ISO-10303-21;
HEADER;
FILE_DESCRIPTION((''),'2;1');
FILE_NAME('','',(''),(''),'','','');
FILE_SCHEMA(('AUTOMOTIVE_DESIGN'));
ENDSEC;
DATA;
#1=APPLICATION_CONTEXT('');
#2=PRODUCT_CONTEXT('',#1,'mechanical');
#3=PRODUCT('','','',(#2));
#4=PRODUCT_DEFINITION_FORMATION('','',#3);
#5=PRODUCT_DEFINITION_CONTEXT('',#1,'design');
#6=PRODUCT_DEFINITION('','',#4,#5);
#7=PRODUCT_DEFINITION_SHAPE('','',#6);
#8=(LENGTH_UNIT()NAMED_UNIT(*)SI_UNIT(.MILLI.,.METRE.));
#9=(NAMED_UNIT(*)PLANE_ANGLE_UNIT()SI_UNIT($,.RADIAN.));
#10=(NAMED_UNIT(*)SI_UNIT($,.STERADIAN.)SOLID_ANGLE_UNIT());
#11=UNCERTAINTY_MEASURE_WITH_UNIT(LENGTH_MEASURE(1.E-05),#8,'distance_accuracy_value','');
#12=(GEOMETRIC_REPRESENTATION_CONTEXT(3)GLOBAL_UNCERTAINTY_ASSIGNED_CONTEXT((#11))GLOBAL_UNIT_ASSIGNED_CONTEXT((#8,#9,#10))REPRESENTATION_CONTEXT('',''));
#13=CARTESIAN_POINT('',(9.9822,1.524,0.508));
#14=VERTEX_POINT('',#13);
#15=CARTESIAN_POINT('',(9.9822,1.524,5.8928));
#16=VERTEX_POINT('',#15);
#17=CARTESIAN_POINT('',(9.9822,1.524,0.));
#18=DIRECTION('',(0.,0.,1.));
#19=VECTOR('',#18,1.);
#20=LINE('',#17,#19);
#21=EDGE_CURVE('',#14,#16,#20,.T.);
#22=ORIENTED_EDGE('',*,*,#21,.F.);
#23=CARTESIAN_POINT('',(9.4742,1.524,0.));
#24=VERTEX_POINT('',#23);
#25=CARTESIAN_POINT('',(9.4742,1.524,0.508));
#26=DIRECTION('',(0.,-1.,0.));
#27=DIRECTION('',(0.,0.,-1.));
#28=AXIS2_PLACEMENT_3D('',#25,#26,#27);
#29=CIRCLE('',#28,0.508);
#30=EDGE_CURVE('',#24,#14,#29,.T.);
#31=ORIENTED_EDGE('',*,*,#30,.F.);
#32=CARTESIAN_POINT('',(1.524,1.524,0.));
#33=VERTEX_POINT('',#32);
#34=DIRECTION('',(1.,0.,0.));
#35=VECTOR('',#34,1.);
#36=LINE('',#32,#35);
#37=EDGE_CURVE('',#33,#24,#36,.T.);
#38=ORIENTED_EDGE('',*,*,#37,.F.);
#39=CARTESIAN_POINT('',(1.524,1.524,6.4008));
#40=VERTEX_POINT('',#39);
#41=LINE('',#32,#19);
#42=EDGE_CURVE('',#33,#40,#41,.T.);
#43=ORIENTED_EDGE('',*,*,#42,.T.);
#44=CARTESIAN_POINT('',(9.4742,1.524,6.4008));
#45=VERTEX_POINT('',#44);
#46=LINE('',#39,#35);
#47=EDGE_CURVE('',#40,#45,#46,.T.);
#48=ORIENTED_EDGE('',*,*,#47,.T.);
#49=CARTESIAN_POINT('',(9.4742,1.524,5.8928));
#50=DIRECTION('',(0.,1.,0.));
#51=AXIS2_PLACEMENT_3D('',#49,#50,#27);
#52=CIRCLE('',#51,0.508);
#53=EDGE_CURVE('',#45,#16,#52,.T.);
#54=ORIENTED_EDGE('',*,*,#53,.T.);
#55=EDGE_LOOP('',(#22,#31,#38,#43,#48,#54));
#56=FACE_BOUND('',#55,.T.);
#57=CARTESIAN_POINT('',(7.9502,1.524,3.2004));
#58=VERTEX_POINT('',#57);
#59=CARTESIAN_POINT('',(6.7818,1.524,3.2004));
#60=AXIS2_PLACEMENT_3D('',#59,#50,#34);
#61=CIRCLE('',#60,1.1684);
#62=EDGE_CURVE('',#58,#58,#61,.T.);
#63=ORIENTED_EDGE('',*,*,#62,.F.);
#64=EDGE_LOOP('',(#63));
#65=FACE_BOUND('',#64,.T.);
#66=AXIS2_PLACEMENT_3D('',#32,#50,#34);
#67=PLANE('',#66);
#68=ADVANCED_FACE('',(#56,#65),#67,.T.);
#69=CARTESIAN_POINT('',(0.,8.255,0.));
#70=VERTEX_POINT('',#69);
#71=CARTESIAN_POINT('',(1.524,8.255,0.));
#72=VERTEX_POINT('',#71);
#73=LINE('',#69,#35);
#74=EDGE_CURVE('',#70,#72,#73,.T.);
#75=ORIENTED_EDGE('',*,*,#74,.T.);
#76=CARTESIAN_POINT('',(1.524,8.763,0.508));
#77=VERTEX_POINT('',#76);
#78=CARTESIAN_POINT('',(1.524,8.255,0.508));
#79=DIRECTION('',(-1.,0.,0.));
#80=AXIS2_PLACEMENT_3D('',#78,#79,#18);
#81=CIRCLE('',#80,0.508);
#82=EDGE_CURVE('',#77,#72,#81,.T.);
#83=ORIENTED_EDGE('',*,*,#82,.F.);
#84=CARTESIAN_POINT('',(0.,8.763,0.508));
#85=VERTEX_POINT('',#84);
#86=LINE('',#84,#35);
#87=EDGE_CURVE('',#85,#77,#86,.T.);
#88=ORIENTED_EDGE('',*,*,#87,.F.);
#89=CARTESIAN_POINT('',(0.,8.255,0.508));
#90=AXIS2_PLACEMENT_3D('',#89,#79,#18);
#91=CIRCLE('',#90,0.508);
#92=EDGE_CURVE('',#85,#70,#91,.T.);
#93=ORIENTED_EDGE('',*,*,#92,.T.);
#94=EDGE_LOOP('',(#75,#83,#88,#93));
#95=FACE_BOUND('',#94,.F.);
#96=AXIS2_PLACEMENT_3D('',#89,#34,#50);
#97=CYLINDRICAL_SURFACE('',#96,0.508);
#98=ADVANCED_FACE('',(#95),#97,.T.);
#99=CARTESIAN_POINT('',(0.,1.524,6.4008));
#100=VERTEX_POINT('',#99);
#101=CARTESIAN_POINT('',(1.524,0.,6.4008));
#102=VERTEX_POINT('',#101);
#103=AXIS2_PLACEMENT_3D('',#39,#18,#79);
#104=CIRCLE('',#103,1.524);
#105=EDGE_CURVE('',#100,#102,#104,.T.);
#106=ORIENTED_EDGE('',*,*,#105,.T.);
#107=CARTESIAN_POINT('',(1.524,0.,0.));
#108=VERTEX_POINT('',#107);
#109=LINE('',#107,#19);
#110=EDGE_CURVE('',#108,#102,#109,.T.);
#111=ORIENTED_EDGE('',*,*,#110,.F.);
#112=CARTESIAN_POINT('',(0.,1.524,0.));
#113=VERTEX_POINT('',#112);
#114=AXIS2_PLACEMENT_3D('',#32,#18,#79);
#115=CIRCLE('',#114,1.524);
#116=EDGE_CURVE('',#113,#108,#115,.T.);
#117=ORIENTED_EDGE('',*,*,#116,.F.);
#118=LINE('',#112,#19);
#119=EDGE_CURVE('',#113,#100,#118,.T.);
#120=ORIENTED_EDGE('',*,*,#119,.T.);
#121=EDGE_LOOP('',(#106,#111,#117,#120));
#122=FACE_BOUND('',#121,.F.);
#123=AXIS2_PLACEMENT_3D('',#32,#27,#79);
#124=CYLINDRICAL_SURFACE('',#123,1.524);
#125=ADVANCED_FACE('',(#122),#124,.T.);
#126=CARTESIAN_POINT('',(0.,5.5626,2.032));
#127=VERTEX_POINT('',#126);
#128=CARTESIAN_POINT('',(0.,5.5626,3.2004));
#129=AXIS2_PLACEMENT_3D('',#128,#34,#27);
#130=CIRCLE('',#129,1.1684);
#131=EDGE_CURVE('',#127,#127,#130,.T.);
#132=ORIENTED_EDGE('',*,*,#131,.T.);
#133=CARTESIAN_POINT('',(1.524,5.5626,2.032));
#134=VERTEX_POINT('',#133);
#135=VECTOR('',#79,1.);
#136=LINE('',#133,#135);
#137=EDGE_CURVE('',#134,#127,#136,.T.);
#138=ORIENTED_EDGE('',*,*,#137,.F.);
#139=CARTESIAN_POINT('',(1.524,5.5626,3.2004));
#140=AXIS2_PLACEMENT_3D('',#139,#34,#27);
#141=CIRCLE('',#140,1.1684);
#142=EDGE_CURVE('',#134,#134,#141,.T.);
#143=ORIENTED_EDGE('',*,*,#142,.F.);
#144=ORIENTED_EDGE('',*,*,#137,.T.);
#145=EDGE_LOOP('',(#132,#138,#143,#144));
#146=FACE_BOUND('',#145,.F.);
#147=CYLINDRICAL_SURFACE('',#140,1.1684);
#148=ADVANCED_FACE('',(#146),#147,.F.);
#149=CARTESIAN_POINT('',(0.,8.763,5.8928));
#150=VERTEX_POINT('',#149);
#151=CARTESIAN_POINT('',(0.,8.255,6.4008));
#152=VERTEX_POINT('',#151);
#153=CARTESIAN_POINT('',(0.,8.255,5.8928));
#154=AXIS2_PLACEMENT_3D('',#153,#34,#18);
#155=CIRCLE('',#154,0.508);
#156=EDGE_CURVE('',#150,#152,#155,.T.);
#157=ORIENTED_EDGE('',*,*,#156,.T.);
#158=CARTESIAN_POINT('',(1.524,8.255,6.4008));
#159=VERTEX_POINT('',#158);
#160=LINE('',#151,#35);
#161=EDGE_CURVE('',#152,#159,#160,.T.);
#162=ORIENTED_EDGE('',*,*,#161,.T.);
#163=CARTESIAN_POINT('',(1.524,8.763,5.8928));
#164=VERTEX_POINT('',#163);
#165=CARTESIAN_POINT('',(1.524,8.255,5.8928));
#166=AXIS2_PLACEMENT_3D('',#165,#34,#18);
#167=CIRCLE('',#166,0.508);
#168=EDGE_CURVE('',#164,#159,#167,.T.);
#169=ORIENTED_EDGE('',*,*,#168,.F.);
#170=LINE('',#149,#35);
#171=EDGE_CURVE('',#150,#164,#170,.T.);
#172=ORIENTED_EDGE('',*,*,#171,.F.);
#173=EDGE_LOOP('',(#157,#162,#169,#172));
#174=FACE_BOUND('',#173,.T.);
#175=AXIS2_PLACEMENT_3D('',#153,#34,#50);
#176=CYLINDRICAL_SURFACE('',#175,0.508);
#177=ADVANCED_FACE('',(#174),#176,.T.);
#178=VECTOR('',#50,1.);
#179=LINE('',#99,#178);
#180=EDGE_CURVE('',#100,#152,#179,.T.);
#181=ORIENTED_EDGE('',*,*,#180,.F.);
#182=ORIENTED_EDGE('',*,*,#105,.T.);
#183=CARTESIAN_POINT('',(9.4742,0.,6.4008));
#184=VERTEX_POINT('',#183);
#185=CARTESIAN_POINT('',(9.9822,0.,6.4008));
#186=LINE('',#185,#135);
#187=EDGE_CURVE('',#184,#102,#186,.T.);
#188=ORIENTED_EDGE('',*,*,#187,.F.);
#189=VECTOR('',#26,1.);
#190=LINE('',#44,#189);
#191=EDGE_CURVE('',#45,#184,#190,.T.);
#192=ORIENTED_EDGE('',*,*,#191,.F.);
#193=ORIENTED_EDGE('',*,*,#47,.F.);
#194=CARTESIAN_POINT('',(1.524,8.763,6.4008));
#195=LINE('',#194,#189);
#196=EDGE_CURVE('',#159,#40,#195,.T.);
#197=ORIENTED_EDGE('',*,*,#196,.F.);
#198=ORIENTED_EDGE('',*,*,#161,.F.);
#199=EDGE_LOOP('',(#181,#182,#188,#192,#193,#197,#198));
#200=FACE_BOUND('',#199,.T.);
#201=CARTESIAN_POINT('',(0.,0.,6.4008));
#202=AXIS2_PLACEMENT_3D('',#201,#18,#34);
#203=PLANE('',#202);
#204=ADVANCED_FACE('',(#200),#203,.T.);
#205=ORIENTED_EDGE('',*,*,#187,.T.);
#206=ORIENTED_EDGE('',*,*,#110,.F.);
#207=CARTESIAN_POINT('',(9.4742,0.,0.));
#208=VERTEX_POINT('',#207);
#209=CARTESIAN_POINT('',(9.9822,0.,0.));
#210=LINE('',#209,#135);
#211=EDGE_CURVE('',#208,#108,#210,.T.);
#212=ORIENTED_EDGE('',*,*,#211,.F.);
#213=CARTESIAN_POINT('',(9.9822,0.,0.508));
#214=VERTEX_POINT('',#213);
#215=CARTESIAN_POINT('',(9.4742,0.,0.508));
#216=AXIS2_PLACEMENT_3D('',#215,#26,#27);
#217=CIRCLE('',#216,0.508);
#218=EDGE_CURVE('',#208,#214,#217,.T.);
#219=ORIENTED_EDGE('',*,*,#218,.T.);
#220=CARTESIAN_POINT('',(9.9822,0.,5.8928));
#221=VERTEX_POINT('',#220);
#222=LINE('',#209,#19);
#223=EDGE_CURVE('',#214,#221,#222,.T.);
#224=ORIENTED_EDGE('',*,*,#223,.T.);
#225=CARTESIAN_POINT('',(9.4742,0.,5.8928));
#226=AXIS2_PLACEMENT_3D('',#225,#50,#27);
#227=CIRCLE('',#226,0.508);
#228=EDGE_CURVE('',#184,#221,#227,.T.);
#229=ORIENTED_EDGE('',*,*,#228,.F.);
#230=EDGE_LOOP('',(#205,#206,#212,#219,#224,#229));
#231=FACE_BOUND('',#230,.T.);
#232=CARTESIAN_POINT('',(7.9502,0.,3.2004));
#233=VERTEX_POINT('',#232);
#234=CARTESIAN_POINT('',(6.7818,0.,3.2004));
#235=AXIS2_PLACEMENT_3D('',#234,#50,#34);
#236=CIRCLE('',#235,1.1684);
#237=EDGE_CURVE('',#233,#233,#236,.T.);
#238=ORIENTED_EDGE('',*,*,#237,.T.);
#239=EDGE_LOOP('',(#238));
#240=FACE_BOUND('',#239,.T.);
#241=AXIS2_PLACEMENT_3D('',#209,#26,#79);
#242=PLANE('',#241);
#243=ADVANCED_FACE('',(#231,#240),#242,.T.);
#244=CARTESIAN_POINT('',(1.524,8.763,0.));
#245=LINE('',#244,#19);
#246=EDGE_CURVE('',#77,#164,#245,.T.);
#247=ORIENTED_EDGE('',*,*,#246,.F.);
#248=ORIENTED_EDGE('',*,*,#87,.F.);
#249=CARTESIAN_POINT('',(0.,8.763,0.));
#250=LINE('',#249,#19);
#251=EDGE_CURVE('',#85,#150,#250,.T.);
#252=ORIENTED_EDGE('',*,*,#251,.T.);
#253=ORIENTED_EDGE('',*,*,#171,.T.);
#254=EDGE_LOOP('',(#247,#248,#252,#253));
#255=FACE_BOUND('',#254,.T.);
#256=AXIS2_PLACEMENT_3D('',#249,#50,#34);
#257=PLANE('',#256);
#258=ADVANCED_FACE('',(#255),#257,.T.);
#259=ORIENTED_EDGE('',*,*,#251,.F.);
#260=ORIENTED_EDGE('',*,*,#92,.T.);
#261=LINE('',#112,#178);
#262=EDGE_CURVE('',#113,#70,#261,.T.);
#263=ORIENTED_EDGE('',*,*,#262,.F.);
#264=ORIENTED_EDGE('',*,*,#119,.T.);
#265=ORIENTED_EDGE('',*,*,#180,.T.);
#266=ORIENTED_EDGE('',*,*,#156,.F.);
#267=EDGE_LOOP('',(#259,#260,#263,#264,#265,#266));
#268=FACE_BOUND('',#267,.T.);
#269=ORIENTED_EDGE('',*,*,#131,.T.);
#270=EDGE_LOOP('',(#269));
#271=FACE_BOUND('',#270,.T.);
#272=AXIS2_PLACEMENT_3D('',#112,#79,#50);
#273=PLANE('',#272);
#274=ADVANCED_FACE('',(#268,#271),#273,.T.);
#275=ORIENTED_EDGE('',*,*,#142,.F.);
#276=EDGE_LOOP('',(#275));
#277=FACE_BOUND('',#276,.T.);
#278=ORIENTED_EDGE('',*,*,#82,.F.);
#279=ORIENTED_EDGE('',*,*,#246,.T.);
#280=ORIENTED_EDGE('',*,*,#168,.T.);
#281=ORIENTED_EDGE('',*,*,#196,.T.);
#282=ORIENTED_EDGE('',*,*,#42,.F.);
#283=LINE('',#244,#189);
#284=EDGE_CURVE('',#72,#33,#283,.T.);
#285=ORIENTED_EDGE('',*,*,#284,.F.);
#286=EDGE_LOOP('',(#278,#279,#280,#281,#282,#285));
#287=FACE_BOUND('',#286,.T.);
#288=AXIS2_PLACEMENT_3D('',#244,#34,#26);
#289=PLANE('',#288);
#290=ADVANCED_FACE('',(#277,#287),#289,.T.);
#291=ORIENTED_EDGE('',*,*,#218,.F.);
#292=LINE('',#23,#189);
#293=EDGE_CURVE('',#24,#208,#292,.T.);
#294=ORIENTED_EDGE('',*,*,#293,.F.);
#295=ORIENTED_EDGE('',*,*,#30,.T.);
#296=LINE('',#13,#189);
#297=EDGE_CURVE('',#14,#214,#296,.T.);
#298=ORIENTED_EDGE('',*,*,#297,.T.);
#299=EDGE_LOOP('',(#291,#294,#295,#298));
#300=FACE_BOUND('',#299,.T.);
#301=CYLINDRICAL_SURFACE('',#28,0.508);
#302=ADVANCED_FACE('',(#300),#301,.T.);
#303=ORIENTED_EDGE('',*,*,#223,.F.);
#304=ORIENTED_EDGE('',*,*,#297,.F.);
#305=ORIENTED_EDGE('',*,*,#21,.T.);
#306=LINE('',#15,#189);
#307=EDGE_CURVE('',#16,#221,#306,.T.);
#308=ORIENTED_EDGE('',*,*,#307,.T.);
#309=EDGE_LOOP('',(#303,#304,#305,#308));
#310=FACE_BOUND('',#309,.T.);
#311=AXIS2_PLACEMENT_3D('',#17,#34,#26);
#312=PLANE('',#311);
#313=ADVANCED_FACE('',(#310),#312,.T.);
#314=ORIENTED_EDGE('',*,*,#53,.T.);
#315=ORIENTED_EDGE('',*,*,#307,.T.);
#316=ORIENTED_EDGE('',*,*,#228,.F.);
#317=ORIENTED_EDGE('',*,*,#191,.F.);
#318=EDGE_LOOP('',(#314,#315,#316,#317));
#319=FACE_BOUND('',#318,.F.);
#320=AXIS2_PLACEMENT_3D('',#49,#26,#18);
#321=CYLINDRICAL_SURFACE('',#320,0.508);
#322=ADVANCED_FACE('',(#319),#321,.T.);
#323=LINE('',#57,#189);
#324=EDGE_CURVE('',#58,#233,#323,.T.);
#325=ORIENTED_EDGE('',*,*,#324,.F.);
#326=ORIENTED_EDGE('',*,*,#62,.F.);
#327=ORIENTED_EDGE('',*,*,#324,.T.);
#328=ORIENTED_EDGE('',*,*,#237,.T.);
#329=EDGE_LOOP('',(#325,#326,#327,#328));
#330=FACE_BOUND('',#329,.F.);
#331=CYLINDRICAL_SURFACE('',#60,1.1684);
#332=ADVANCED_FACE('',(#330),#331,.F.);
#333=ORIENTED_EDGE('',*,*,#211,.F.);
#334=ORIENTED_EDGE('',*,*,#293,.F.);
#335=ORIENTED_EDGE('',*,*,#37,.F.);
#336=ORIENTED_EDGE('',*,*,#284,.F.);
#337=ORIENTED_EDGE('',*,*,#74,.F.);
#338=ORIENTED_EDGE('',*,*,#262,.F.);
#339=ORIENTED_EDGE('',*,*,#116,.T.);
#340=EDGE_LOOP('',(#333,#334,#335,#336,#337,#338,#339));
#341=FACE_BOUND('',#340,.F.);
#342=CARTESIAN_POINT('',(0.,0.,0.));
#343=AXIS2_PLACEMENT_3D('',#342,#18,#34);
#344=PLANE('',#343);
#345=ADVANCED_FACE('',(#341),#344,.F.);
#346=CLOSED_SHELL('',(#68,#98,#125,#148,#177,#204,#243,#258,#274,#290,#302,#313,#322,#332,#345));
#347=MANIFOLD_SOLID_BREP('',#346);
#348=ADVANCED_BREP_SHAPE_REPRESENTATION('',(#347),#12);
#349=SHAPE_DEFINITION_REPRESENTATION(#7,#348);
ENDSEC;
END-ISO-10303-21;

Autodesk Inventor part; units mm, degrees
ref_plane "YZ Plane" through (0, 0, 0) normal (1, 0, 0) x (0, 1, 0)
ref_plane "XZ Plane" through (0, 0, 0) normal (0, 1, 0) x (-1, 0, 0)
ref_plane "XY Plane" through (0, 0, 0) normal (0, 0, 1) x (1, 0, 0)
sketch "Sketch2" plane through (0, 0, 0) normal (0, 0, 1) x (1, 0, 0)
  line L0 (0, 8.763) -> (1.524, 8.763)
  line L1 (1.524, 8.763) -> (1.524, 1.524)
  line L2 (1.524, 1.524) -> (0, 1.524)
  line L3 (0, 1.524) -> (0, 8.763)
  line L4 (1.524, 1.524) -> (9.9822, 1.524)
  line L5 (9.9822, 1.524) -> (9.9822, 0)
  line L6 (9.9822, 0) -> (1.524, 0)
  line L7 (1.524, 0) -> (1.524, 1.524)
  arc A0 (0, 1.524) -> (1.524, 0) centre (1.524, 1.524) ccw
  point P0 (0, 0)
  dimension "d9" = 1.524
  dimension "d10" = 7.239
  dimension "d11" = 8.4582
extrude "Extrusion2" add sketch "Sketch2" along normal blind 6.4008
fillet "Fillet2" radius 0.508 4 edges at (0.762, 8.763, 6.4008) (0.762, 8.763, 0) (9.9822, 0.762, 6.4008) (9.9822, 0.762, 0)
sketch "Sketch3" plane through (1.524, 1.524, 6.4008) normal (0, 1, 0) x (1, 0, 0)
  circle A0 centre (5.2578, 3.2004) radius 1.1684
  line L0 (8.4582, 5.8928) -> (8.4582, 0.508) projected
  line L1 (7.9502, 0) -> (0, 0) projected
  point P0 (-1.524, 6.4008)
  point P1 (8.4582, 3.2004)
  dimension "d15" = 3.2004
  dimension "d16" = 3.2004
  dimension "d17" = 2.3368
extrude "Extrusion3" cut sketch "Sketch3" against normal through all
sketch "Sketch4" plane through (1.524, 1.524, 6.4008) normal (1, 0, 0) x (0, 0, -1)
  circle A0 centre (3.2004, 4.0386) radius 1.1684
  line L0 (5.8928, 7.239) -> (0.508, 7.239) projected
  line L1 (6.4008, 0) -> (6.4008, 6.731) projected
  point P0 (6.4008, -1.524)
  point P1 (3.2004, 7.239)
  dimension "d20" = 3.2004
  dimension "d21" = 3.2004
  dimension "d22" = 2.3368
extrude "Extrusion4" cut sketch "Sketch4" against normal through all
equation "\"d15\" = d16"
equation "\"d21\" = d20"
properties part number "elbow"
